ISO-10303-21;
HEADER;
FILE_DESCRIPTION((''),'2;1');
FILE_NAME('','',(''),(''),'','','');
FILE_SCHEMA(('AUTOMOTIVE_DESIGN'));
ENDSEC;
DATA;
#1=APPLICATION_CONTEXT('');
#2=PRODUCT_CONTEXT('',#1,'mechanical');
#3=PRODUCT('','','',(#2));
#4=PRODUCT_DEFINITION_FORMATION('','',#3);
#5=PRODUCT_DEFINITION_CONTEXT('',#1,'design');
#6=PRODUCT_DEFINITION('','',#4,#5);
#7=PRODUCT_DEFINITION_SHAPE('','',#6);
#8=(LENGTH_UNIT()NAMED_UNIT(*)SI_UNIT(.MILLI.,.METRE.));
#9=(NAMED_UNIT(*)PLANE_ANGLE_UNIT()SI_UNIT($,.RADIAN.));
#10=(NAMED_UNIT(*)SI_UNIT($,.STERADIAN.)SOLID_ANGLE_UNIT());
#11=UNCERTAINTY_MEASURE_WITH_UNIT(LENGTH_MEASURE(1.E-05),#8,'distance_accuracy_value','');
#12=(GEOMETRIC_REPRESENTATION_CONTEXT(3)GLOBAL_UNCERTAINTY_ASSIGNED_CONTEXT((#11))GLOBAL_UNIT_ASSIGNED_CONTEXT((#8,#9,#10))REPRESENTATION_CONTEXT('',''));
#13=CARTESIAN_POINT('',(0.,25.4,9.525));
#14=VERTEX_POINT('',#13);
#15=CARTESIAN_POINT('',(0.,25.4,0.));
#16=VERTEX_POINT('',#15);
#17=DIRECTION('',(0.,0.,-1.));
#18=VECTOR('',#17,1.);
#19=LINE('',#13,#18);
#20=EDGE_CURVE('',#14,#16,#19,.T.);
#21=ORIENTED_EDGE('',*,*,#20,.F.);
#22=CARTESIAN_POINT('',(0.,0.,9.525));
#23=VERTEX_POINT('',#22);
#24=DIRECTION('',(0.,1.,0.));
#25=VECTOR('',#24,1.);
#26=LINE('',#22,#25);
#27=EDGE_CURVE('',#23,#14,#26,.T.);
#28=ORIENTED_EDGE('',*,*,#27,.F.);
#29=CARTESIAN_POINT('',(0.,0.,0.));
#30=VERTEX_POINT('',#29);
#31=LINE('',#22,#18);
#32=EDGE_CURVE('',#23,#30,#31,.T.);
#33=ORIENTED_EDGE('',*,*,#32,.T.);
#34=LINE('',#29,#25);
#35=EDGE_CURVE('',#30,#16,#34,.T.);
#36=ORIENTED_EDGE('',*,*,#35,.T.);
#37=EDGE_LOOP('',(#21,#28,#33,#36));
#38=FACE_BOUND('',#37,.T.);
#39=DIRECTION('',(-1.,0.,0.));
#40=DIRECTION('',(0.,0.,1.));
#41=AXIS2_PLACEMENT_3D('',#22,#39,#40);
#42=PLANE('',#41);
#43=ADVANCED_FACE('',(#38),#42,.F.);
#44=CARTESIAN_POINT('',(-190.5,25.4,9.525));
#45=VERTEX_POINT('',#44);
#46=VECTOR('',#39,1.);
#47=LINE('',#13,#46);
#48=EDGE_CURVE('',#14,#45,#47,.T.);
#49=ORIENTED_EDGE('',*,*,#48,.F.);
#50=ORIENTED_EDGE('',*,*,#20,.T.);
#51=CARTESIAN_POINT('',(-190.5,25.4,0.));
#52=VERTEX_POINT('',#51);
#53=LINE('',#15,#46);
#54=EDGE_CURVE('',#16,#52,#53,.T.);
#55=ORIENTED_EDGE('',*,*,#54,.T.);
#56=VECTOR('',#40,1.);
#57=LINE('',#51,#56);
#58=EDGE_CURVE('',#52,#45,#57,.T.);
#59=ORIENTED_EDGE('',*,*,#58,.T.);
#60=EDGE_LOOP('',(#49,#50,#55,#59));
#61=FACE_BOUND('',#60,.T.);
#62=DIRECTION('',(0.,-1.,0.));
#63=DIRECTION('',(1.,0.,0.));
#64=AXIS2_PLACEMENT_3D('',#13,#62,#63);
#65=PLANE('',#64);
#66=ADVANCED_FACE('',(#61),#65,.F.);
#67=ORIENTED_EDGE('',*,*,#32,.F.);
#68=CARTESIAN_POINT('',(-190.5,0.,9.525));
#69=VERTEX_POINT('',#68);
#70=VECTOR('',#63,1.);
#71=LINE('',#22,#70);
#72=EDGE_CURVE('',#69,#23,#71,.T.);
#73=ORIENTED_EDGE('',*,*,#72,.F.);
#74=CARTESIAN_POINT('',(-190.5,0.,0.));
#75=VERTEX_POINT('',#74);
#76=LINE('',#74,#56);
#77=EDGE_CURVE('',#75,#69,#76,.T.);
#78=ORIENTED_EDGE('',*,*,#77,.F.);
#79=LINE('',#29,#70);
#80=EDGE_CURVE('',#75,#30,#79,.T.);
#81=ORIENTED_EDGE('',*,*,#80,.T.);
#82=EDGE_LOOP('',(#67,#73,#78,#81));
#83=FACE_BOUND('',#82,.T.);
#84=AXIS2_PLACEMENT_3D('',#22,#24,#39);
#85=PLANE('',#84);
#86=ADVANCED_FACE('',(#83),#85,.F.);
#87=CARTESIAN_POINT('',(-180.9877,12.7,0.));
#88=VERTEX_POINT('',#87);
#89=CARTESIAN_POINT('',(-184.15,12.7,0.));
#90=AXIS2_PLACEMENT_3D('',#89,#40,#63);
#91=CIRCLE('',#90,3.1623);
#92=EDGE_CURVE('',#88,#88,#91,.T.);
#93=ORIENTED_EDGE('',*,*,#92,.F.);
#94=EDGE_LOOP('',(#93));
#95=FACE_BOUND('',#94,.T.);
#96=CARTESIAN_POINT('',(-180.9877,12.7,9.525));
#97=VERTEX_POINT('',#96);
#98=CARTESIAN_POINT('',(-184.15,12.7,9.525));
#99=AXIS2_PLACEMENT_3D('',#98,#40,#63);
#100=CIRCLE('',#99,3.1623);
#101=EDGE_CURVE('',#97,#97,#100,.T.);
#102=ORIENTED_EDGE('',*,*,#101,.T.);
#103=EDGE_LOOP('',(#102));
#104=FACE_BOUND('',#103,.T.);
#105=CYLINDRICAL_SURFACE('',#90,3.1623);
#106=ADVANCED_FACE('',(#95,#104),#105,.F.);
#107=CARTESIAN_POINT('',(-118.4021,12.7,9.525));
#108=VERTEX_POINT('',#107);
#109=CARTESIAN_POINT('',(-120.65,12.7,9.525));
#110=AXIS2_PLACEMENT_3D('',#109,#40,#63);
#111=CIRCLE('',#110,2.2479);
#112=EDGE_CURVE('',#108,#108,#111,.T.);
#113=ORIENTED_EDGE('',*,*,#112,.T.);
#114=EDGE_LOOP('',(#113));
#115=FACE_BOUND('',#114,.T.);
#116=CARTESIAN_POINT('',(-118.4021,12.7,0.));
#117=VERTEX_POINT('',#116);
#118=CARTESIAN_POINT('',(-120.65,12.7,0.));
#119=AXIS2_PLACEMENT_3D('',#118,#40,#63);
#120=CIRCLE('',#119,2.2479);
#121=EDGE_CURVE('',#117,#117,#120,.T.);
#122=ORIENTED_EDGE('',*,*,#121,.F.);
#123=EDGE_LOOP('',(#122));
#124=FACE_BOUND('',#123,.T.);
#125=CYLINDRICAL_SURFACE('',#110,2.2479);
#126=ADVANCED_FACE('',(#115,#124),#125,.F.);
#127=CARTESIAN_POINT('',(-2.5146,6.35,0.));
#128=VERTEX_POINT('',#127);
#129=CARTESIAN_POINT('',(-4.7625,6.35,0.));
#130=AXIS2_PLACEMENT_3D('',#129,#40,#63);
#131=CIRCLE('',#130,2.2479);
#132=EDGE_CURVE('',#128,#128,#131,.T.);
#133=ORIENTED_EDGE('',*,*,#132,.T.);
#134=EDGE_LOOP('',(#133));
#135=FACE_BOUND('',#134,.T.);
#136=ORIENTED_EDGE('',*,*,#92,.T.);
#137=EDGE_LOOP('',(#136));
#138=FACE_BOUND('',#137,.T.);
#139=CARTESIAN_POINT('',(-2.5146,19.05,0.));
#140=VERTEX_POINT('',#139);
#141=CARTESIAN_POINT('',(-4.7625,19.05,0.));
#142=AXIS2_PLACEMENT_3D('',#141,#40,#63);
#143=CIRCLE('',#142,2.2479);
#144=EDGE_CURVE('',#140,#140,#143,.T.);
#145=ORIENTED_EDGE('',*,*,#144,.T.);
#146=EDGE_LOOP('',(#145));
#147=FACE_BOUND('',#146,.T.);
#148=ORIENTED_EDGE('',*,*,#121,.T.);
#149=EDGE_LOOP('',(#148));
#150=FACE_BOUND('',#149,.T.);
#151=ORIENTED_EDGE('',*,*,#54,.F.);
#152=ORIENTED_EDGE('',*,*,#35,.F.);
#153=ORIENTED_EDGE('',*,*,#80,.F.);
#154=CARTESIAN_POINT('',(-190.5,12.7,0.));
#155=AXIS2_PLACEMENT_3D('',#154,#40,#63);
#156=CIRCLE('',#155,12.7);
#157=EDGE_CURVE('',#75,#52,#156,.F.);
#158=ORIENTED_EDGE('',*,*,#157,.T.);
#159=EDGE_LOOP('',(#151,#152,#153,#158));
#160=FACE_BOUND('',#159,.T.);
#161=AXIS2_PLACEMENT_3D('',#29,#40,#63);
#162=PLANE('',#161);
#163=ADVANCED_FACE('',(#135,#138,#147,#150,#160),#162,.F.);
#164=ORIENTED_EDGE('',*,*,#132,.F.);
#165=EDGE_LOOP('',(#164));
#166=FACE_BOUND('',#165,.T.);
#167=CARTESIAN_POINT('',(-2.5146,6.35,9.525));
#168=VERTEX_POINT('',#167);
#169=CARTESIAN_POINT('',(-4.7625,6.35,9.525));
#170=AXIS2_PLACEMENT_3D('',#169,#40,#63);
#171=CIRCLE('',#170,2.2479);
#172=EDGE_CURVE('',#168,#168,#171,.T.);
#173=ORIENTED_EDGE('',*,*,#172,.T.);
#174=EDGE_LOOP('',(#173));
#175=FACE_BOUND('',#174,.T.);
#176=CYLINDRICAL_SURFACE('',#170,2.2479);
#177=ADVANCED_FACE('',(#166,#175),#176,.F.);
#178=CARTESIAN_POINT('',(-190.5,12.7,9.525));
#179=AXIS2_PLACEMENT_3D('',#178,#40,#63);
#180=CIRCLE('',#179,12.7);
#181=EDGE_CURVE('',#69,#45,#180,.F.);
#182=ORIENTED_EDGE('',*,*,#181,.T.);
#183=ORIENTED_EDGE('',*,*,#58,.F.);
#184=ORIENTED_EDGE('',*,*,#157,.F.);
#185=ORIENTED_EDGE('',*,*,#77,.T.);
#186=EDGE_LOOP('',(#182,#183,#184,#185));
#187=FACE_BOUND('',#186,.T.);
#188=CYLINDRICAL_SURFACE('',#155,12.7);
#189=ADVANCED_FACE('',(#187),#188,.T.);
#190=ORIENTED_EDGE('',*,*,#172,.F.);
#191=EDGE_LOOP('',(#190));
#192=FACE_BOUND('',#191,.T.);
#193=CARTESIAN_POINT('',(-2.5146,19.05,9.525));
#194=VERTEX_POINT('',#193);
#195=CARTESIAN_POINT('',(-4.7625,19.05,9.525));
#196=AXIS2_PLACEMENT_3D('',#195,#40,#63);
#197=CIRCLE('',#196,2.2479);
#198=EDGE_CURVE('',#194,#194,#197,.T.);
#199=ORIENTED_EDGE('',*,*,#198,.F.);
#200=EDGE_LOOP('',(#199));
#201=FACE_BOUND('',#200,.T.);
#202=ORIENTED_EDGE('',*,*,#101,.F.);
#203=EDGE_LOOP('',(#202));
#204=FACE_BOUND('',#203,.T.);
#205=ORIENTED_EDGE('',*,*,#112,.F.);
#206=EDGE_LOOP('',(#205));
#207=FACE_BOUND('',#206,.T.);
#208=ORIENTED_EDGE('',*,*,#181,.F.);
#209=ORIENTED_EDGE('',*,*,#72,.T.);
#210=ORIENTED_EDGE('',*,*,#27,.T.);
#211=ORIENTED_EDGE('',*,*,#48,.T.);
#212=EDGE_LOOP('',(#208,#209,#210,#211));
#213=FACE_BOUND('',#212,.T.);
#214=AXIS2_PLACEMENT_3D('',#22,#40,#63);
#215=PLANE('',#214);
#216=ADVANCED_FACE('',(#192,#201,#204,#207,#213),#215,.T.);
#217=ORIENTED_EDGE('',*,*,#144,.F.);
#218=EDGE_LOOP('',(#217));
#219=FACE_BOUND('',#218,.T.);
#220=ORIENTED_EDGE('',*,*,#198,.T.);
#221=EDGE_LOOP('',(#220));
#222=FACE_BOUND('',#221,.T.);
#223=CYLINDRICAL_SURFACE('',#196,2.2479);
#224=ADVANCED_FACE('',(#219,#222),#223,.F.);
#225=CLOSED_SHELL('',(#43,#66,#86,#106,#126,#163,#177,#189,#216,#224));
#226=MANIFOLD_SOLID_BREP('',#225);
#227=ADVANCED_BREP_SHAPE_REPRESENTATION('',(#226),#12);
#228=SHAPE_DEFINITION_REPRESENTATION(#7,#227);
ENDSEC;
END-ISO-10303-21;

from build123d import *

# Parameters (mm, degrees)
SKETCH1_W                 = 203.2
SKETCH1_H                 = 25.4
BOSS_EXTRUDE1_DEPTH       = 9.525
F_8_CLEARANCE_HOLE1_D     = 4.4958
F_8_CLEARANCE_HOLE1_DEPTH = 25.4
F_8_CLEARANCE_HOLE1_TIP   = 1.350674586
SKETCH5_R                 = 3.1623
CUT_EXTRUDE1_DEPTH        = 9.525
F_8_CLEARANCE_HOLE2_D     = 4.4958
F_8_CLEARANCE_HOLE2_DEPTH = 19.05
F_8_CLEARANCE_HOLE2_TIP   = 1.350674586
CUT_EXTRUDE2_DEPTH        = 10.525


with BuildPart() as part:
    # Sketch1 → Boss-Extrude1 (new body)
    with BuildSketch(Plane.XY):
        with Locations((-101.6, 12.7)):
            Rectangle(SKETCH1_W, SKETCH1_H)
    extrude(amount=BOSS_EXTRUDE1_DEPTH)

    # #8 Clearance Hole1
    with Locations(Plane.XY.offset(9.525)):
        with Locations((-4.7625, 6.35), (-4.7625, 19.05)):
            Hole(F_8_CLEARANCE_HOLE1_D / 2, depth=F_8_CLEARANCE_HOLE1_DEPTH)
            with Locations((0, 0, -(F_8_CLEARANCE_HOLE1_DEPTH + F_8_CLEARANCE_HOLE1_TIP / 2))):  # 118° drill point
                Cone(0, F_8_CLEARANCE_HOLE1_D / 2, F_8_CLEARANCE_HOLE1_TIP, mode=Mode.SUBTRACT)

    # Sketch5 → Cut-Extrude1 (cut)
    with BuildSketch(Plane.XY.offset(9.525)):
        with Locations((-184.15, 12.7)):
            Circle(SKETCH5_R)
    extrude(amount=-CUT_EXTRUDE1_DEPTH, mode=Mode.SUBTRACT)

    # #8 Clearance Hole2
    with Locations(Plane.XY.offset(9.525)):
        with Locations((-120.65, 12.7)):
            Hole(F_8_CLEARANCE_HOLE2_D / 2, depth=F_8_CLEARANCE_HOLE2_DEPTH)
            with Locations((0, 0, -(F_8_CLEARANCE_HOLE2_DEPTH + F_8_CLEARANCE_HOLE2_TIP / 2))):  # 118° drill point
                Cone(0, F_8_CLEARANCE_HOLE2_D / 2, F_8_CLEARANCE_HOLE2_TIP, mode=Mode.SUBTRACT)

    # Sketch10 → Cut-Extrude2 (cut, through all)
    with BuildSketch(Plane.XY.offset(9.525)):
        with BuildLine():
            Line((-190.5, 25.4), (-203.2, 25.4))
            Line((-203.2, 25.4), (-203.2, 12.7))
            ThreePointArc((-203.2, 12.7), (-199.480256121, 21.680256121), (-190.5, 25.4))
        make_face()
        with BuildLine():
            ThreePointArc((-190.5, 0), (-199.480256121, 3.719743879), (-203.2, 12.7))
            Line((-203.2, 12.7), (-203.2, 0))
            Line((-203.2, 0), (-190.5, 0))
        make_face()
    extrude(amount=-CUT_EXTRUDE2_DEPTH, mode=Mode.SUBTRACT)


solid = part.part
